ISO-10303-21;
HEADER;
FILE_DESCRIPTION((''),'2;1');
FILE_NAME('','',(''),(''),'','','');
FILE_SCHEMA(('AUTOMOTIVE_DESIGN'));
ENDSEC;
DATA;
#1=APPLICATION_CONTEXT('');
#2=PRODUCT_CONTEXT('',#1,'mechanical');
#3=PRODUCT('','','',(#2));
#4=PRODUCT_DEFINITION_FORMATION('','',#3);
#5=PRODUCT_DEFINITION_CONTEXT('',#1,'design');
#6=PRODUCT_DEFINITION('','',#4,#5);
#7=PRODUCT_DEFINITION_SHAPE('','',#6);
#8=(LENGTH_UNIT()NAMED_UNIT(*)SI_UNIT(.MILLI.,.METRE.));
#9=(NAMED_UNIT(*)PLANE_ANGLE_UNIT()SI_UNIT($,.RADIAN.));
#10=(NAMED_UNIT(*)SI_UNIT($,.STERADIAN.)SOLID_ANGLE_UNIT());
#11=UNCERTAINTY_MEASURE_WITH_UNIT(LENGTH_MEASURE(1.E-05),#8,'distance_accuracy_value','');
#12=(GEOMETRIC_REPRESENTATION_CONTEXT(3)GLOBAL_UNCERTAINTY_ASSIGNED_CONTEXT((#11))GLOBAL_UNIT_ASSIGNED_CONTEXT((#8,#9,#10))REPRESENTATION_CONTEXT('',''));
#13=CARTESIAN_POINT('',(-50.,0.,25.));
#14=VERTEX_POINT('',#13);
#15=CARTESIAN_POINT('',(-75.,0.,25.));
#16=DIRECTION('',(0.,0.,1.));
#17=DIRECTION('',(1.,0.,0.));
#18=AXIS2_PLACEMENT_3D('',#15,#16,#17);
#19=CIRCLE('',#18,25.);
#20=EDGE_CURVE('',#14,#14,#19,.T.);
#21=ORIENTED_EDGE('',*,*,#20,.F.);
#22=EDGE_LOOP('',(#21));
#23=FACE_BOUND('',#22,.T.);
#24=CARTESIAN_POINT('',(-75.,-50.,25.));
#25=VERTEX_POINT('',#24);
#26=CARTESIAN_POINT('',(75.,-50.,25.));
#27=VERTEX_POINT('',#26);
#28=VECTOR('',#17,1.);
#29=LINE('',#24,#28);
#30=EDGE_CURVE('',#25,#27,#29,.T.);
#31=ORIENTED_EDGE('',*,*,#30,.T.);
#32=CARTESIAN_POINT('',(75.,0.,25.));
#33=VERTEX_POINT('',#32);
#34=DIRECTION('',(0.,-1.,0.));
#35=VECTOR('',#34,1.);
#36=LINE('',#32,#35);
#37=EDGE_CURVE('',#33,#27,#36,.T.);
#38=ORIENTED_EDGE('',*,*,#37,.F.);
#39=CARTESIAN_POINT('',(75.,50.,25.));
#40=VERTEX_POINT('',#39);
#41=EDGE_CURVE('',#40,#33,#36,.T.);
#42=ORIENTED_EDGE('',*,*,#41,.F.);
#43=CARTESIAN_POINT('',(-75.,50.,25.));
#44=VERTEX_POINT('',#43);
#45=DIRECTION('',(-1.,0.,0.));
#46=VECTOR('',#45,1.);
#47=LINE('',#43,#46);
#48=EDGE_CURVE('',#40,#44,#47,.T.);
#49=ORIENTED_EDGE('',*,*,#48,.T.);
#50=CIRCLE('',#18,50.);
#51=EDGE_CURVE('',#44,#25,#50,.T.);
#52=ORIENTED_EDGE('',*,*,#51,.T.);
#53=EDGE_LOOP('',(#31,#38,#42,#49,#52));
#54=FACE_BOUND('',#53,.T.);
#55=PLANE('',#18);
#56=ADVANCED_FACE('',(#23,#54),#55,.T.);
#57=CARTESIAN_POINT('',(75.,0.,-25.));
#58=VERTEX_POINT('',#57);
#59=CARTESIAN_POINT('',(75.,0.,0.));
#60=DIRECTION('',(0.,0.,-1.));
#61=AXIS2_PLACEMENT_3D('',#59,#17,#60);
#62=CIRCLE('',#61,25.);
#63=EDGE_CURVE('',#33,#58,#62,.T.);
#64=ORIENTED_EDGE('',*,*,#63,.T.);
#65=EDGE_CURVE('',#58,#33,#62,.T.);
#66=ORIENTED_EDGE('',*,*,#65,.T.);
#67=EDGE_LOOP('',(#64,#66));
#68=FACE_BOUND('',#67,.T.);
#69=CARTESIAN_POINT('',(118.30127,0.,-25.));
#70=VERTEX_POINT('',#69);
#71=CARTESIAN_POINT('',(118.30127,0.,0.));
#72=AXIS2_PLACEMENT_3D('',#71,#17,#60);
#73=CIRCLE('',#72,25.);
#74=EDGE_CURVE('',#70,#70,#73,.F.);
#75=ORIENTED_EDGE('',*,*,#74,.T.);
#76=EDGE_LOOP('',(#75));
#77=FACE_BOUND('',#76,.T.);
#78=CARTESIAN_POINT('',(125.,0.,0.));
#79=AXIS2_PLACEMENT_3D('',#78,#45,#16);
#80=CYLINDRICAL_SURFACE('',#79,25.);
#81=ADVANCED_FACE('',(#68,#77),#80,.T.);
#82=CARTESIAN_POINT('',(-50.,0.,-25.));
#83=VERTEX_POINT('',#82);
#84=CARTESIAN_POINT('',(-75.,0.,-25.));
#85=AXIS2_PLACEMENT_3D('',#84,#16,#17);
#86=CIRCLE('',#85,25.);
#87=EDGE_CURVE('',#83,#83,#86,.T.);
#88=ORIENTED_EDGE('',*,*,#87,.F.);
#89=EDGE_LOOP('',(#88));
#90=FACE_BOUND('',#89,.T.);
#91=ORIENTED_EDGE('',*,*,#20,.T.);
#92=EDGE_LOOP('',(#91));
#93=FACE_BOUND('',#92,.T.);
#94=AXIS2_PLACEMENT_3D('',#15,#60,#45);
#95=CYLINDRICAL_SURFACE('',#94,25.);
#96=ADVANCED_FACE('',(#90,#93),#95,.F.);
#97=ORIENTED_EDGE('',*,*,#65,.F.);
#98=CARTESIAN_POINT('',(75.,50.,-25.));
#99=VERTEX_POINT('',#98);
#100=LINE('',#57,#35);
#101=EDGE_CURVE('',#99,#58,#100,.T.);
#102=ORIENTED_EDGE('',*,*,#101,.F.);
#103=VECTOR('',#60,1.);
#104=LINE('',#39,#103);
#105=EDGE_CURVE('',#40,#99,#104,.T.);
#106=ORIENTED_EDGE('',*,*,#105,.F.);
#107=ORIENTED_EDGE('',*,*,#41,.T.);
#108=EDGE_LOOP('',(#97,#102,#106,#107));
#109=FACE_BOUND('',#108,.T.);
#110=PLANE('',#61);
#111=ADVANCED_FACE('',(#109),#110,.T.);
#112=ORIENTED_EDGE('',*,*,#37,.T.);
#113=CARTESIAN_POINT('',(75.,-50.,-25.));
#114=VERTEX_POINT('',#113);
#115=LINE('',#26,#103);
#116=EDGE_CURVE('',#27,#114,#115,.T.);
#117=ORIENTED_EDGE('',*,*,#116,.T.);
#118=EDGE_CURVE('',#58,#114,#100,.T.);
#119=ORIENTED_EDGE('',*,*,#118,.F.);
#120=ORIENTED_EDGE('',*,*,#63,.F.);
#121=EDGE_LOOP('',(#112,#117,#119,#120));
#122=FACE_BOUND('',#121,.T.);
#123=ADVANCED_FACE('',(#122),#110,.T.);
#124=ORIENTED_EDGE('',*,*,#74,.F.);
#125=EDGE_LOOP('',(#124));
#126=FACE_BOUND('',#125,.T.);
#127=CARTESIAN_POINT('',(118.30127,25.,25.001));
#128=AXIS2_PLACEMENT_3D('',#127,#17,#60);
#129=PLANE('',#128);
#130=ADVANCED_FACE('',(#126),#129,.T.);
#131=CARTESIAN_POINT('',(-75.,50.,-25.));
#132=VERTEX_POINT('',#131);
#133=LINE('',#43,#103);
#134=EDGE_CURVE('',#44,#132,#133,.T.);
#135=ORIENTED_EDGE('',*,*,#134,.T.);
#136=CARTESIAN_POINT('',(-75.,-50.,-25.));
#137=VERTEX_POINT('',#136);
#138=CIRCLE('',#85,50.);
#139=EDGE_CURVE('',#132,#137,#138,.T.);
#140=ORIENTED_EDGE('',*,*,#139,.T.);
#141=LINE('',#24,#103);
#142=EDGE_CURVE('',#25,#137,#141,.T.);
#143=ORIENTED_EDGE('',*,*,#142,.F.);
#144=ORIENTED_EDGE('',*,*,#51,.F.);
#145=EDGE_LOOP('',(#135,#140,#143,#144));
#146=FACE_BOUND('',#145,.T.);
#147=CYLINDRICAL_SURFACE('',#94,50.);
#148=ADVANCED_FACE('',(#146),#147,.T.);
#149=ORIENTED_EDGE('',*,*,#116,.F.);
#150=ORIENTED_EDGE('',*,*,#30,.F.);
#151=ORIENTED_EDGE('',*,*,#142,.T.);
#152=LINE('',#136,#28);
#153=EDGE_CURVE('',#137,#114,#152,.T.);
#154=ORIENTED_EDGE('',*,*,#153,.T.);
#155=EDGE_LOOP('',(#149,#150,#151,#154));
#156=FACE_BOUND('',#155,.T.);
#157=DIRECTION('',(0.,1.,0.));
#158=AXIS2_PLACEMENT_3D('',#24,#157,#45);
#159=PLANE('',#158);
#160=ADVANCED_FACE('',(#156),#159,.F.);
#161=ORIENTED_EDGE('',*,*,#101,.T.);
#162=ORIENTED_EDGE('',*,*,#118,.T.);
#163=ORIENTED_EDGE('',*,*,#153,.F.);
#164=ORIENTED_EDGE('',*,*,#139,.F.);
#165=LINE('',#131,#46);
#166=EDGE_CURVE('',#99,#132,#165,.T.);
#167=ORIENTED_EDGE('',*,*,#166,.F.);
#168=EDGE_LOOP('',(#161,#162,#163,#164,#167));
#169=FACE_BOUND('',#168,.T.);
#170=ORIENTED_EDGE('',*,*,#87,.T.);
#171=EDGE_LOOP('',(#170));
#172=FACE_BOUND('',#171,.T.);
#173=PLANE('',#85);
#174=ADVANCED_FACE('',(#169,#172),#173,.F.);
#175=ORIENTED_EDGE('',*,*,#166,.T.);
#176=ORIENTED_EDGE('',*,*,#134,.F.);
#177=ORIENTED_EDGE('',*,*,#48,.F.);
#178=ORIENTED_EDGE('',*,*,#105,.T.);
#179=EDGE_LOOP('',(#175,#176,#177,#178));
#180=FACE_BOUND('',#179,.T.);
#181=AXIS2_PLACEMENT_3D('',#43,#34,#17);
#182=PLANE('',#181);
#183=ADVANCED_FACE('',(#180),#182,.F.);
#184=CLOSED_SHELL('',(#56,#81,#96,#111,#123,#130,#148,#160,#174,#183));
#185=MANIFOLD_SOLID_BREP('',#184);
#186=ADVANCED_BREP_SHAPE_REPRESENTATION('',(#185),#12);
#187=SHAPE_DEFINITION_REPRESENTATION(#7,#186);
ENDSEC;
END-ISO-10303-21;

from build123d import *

# Parameters (mm, degrees)
SKETCH1_R                      = 25
BOSS_EXTRUDE1_DEPTH            = 25
CUT_EXTRUDE1_DEPTH             = 50
CUT_EXTRUDE2_REACH             = 138.931
SKETCH3_W                      = 6.698729811
SKETCH3_H                      = 50
CUT_EXTRUDE2_DIRECTION_2_REACH = 138.931


with BuildPart() as part:
    # Sketch1 → Boss-Extrude1 (new, symmetric)
    with BuildSketch(Plane.XY):
        with BuildLine():
            Line((-75, 50), (75, 50))
            ThreePointArc((75, 50), (125, 0), (75, -50))
            Line((75, -50), (-75, -50))
            ThreePointArc((-75, -50), (-125, 0), (-75, 50))
        make_face()
        with Locations((-75, 0)):
            Circle(SKETCH1_R, mode=Mode.SUBTRACT)
    extrude(amount=BOSS_EXTRUDE1_DEPTH, both=True)

    # Sketch2 → Cut-Extrude1 (cut)
    with BuildSketch(Plane(origin=(75, 0, 0), x_dir=(0, 0, -1), z_dir=(1, 0, 0))):
        with BuildLine():
            Line((25, 50), (-25, 50))
            Line((-25, 50), (-25, -5.1e-08))
            ThreePointArc((-25, -5.1e-08), (-2.6e-08, 25), (25, 0))
            Line((25, 0), (25, 50))
        make_face()
        with BuildLine():
            ThreePointArc((25, 0), (2.6e-08, -25), (-25, -5.1e-08))
            Line((-25, -5.1e-08), (-25, -50))
            Line((-25, -50), (25, -50))
            Line((25, -50), (25, 0))
        make_face()
    extrude(amount=CUT_EXTRUDE1_DEPTH, mode=Mode.SUBTRACT)

    # Sketch3 → Cut-Extrude2 (cut, up to next)
    with BuildSketch(Plane.XY, mode=Mode.PRIVATE) as cut_extrude2_sk1:
        with Locations((121.650635095, 0)):
            Rectangle(SKETCH3_W, SKETCH3_H)
    cut_extrude2_tool1 = extrude(cut_extrude2_sk1.sketch, amount=-CUT_EXTRUDE2_REACH, mode=Mode.PRIVATE) & part.part
    add(cut_extrude2_tool1.solids().sort_by_distance((121.650635, 0, 0))[0], mode=Mode.SUBTRACT)

    # Sketch3 → Cut-Extrude2 direction 2 (cut, up to next)
    with BuildSketch(Plane.XY, mode=Mode.PRIVATE) as cut_extrude2_direction_2_sk1:
        with Locations((121.650635095, 0)):
            Rectangle(SKETCH3_W, SKETCH3_H)
    cut_extrude2_direction_2_tool1 = extrude(cut_extrude2_direction_2_sk1.sketch, amount=CUT_EXTRUDE2_DIRECTION_2_REACH, mode=Mode.PRIVATE) & part.part
    add(cut_extrude2_direction_2_tool1.solids().sort_by_distance((121.650635, 0, 0))[0], mode=Mode.SUBTRACT)


solid = part.part
